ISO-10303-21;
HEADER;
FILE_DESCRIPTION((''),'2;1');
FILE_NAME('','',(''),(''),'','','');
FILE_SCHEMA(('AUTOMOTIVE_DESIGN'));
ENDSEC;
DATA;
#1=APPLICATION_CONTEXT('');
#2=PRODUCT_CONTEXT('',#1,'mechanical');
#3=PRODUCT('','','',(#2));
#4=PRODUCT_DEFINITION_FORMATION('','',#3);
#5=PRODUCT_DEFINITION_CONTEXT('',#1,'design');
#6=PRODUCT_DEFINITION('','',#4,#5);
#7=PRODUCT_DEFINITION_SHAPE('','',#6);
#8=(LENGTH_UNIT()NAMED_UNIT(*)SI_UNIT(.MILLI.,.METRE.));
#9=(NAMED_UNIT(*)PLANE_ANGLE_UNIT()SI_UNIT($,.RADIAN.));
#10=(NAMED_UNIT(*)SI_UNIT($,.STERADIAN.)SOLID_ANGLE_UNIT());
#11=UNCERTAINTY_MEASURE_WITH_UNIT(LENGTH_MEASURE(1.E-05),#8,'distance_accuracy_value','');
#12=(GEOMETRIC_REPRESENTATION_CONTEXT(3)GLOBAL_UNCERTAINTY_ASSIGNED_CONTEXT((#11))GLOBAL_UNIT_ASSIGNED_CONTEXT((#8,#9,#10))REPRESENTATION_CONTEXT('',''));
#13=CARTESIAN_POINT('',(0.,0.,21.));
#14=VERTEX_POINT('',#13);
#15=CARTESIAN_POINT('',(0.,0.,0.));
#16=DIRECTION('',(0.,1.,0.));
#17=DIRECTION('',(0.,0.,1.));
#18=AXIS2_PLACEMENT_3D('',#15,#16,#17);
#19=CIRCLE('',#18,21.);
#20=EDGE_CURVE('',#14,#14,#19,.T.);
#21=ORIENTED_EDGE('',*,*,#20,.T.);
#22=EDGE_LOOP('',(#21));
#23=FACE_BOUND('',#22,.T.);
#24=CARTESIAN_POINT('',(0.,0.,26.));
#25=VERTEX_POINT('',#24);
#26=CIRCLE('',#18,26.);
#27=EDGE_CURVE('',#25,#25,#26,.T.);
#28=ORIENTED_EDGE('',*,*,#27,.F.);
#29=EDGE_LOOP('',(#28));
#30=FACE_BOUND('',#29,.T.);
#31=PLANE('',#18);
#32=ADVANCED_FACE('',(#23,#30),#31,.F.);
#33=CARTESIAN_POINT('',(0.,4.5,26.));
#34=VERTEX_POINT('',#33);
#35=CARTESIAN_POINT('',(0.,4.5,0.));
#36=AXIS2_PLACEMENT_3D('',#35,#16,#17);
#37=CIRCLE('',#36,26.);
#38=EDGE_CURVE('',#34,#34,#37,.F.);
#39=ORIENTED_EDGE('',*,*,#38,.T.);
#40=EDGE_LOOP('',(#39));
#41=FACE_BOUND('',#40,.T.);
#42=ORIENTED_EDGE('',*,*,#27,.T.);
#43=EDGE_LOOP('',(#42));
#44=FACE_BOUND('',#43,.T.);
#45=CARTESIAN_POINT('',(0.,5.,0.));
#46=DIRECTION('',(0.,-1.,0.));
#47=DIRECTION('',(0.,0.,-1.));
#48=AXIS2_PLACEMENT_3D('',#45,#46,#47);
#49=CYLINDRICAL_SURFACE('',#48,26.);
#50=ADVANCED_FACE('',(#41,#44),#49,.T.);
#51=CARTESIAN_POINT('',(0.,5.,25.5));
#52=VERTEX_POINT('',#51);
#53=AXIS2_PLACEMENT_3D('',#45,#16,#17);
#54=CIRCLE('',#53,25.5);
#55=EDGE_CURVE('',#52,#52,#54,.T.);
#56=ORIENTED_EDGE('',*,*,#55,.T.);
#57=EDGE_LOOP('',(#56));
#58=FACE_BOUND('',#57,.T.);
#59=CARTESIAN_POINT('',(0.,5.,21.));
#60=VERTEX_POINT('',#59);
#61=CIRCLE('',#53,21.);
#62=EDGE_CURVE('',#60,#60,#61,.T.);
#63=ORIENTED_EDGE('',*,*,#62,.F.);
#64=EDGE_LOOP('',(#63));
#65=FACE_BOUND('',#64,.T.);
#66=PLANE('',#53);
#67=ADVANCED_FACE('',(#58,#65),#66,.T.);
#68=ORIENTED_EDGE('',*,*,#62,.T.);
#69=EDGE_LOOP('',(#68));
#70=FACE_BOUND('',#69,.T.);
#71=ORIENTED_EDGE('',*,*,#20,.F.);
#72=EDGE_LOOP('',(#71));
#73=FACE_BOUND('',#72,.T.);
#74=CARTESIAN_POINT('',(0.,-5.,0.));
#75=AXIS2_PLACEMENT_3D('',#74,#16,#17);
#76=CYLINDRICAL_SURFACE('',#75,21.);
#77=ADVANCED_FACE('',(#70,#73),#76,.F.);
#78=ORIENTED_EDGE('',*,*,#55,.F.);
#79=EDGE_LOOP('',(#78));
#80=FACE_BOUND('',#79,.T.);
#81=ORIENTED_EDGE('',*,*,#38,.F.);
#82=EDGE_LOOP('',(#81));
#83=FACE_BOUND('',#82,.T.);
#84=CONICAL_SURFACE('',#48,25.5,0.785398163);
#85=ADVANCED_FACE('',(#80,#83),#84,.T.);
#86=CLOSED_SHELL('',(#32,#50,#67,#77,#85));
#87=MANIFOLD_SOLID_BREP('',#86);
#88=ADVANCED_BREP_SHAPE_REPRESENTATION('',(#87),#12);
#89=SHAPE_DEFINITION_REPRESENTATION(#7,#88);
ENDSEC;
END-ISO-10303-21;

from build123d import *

# Parameters (mm, degrees)
SKETCH_1_R          = 26
EXTRUDE_1_DEPTH     = 5
CHAMFER_1_SIZE      = 0.5
SKETCH_2_R          = 21
CUT_EXTRUDE_1_DEPTH = 10


with BuildPart() as part:
    # 草图1 → 凸台-拉伸1 (new body)
    with BuildSketch(Plane(origin=(0, 0, 0), x_dir=(1, 0, 0), z_dir=(0, 1, 0))):
        Circle(SKETCH_1_R)
    extrude(amount=EXTRUDE_1_DEPTH)

    # 倒角1
    chamfer_1_edges = [part.edges().sort_by_distance(p)[0] for p in [
        (-26, 5, 0),
    ]]
    chamfer(chamfer_1_edges, length=CHAMFER_1_SIZE)

    # 草图2 → 切除-拉伸1 (cut)
    with BuildSketch(Plane(origin=(0, 5, 0), x_dir=(1, 0, 0), z_dir=(0, 1, 0))):
        Circle(SKETCH_2_R)
    extrude(amount=-CUT_EXTRUDE_1_DEPTH, mode=Mode.SUBTRACT)


solid = part.part
